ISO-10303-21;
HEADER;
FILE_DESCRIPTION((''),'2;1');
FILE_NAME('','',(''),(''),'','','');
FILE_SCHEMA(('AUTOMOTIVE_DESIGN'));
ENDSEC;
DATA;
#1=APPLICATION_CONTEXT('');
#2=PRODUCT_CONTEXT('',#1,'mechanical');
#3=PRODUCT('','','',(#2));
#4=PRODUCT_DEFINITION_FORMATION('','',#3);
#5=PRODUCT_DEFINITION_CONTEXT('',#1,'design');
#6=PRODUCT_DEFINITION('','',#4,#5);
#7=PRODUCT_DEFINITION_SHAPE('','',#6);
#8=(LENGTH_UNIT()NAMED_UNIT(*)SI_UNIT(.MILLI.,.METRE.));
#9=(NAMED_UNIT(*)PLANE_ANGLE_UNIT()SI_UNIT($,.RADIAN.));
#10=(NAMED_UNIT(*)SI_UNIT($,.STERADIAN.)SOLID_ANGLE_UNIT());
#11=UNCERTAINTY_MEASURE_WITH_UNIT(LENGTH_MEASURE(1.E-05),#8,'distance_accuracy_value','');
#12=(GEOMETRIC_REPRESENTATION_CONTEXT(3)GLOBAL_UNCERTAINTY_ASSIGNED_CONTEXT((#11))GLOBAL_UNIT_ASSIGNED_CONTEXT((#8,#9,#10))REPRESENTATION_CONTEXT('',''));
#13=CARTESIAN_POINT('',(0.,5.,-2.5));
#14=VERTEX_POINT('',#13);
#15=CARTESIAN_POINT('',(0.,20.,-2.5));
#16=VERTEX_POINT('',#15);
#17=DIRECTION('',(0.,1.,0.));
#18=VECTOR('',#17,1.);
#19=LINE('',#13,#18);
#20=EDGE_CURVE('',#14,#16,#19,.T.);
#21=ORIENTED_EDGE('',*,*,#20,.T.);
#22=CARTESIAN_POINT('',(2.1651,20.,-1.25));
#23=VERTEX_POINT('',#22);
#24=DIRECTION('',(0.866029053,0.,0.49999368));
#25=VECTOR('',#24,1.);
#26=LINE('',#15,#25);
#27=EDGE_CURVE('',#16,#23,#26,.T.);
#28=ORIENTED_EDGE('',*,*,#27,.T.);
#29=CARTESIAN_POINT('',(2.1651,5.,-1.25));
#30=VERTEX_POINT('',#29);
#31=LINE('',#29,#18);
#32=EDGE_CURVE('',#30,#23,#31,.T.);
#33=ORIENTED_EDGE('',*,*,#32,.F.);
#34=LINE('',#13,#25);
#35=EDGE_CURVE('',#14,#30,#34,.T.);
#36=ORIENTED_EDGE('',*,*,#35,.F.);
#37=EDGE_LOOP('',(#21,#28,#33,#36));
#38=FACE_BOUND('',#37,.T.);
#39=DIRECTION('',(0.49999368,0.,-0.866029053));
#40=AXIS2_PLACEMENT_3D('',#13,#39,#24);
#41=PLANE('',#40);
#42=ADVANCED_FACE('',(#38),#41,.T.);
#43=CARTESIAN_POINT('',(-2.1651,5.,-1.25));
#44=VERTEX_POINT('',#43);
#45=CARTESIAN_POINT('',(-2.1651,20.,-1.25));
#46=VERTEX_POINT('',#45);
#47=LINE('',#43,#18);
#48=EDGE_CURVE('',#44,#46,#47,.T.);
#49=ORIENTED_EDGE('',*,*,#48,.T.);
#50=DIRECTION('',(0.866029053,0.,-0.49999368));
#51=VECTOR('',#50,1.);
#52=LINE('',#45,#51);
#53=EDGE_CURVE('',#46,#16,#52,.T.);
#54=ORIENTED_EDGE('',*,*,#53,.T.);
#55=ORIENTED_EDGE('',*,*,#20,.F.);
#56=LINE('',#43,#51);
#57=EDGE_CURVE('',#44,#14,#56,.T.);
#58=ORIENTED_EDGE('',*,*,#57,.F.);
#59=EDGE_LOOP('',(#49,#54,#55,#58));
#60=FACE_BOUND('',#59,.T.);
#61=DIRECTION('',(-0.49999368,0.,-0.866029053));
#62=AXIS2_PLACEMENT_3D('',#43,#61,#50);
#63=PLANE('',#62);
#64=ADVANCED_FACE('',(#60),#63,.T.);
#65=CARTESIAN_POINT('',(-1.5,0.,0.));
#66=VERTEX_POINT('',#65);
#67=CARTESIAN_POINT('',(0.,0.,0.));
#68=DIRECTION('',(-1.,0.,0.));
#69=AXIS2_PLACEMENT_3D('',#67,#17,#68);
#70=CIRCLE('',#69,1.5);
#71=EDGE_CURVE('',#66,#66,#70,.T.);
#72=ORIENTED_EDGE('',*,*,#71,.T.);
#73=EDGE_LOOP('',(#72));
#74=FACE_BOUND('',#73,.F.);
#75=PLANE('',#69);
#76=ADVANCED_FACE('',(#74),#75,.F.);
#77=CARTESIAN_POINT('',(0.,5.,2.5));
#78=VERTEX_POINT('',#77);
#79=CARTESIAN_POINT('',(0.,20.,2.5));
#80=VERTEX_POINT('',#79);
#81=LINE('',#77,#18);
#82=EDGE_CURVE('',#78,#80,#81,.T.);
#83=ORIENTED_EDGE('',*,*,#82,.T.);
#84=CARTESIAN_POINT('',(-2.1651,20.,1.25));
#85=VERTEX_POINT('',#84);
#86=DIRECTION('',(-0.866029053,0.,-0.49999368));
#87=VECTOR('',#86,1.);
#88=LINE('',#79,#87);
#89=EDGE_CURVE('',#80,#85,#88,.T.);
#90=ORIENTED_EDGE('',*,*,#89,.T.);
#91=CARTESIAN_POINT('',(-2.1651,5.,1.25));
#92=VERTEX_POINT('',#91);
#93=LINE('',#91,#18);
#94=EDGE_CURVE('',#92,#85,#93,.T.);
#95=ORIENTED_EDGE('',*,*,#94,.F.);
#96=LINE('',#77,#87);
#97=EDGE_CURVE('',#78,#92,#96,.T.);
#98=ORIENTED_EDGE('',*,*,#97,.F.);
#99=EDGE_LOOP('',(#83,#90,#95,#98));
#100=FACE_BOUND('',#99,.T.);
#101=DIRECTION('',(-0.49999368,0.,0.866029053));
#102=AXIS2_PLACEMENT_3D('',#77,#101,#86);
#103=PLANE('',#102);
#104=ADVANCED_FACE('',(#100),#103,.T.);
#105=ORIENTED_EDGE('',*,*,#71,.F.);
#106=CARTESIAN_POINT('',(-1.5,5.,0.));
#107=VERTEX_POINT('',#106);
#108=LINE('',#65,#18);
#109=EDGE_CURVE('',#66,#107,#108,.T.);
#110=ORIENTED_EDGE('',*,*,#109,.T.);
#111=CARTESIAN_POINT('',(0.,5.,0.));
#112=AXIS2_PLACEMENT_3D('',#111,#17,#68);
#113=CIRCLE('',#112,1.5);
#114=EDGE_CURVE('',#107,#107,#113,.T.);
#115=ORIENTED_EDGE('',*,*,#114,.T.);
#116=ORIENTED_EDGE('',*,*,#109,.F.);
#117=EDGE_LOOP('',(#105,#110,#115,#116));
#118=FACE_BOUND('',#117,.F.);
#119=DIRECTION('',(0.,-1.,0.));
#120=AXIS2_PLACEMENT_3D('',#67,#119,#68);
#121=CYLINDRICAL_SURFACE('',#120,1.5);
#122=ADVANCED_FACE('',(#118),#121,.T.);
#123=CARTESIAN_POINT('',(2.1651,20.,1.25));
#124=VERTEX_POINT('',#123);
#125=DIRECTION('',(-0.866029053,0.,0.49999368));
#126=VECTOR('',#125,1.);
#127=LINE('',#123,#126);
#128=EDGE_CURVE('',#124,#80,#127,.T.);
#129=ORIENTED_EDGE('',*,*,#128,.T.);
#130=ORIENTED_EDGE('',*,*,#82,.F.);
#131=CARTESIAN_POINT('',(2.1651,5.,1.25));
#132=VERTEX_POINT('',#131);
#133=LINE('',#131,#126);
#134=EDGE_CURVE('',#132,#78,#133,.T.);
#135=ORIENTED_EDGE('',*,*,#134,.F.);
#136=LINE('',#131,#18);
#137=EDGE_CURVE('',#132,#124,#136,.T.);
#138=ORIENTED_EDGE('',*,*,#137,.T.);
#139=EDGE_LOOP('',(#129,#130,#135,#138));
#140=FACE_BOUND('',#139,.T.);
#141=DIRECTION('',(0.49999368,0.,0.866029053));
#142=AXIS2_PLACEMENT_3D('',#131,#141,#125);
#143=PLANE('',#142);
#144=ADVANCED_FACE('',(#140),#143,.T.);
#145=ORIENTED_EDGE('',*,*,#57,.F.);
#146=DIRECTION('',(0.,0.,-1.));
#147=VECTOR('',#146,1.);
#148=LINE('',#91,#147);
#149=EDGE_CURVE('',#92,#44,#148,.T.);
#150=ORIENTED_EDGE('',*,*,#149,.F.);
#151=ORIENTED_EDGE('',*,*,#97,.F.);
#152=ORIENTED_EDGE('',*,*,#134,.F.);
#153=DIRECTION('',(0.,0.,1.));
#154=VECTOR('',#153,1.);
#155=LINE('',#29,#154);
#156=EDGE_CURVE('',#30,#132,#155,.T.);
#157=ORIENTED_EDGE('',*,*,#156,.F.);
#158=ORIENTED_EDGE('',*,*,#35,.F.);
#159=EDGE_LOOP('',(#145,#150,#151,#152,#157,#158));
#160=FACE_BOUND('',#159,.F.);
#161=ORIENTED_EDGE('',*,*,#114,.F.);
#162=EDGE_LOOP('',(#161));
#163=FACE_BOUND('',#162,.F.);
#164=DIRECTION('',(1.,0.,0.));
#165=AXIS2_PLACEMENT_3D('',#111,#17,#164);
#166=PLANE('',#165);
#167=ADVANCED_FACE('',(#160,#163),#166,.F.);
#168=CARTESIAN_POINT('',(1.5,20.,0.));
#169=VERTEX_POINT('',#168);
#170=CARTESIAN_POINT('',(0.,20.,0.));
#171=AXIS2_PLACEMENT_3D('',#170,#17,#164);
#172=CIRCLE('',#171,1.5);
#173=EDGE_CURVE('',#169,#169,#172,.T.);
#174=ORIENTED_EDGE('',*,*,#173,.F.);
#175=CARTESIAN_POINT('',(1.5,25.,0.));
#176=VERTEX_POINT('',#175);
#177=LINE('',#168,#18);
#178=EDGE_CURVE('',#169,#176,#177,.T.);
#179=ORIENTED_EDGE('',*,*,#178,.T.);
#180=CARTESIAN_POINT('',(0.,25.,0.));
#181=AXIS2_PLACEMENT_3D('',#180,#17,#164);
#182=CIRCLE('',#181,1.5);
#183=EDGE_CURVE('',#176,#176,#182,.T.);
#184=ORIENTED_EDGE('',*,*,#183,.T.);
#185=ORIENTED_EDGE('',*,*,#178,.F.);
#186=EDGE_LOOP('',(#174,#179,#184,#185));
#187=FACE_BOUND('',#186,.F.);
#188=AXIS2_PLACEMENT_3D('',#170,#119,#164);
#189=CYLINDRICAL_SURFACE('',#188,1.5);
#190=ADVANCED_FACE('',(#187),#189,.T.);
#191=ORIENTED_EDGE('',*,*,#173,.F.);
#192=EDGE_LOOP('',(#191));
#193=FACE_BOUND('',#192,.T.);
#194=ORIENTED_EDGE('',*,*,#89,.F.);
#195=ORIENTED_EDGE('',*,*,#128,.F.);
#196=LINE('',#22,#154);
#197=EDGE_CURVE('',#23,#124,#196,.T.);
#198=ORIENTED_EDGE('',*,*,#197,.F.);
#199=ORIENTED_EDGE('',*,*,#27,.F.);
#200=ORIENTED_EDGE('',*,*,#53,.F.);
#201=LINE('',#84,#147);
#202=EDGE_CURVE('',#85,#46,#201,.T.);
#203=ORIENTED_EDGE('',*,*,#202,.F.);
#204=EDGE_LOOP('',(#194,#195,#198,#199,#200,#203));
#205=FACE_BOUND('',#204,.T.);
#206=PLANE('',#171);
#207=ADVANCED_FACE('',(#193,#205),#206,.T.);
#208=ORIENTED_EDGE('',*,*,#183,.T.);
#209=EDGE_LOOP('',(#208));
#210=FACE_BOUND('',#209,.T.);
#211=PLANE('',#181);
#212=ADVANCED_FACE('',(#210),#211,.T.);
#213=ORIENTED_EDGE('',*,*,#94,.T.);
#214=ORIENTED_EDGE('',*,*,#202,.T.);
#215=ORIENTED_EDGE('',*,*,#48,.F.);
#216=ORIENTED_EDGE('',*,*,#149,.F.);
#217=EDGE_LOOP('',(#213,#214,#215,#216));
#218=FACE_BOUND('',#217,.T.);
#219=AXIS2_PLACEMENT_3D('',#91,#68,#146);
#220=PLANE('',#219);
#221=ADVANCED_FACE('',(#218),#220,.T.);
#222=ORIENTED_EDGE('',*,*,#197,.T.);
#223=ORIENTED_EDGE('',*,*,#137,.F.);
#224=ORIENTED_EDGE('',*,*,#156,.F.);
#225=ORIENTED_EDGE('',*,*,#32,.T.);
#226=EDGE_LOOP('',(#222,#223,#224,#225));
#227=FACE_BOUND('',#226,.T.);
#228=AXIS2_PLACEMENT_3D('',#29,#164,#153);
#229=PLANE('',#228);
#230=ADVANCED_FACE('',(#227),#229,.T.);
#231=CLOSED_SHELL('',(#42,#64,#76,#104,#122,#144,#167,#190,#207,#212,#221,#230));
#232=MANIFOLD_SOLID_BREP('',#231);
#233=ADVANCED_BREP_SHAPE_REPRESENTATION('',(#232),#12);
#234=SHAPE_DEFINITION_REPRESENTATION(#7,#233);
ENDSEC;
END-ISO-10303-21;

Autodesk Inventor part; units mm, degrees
ref_plane "YZ Plane" through (0, 0, 0) normal (1, 0, 0) x (0, 1, 0)
ref_plane "XZ Plane" through (0, 0, 0) normal (0, 1, 0) x (-1, 0, 0)
ref_plane "XY Plane" through (0, 0, 0) normal (0, 0, 1) x (1, 0, 0)
sketch "Sketch1" plane through (0, 0, 0) normal (0, 1, 0) x (-1, 0, 0)
  circle A0 centre (0, 0) radius 1.5
  dimension "d0" = 3
extrude "Extrusion1" add sketch "Sketch1" along normal blind 5
sketch "Sketch2" plane through (0, 5, 0) normal (0, 1, 0) x (1, 0, 0)
  circle A0 centre (0, 0) radius 1.5 projected
  circle A1 centre (0, 0) radius 2.5
  line L0 (0, 2.5) -> (2.1651, 1.25)
  line L1 (2.1651, 1.25) -> (2.1651, -1.25)
  line L2 (2.1651, -1.25) -> (0, -2.5)
  line L3 (0, -2.5) -> (-2.1651, -1.25)
  line L4 (-2.1651, -1.25) -> (-2.1651, 1.25)
  line L5 (-2.1651, 1.25) -> (0, 2.5)
  dimension "d5" = 5
extrude "Extrusion2" add sketch "Sketch2" along normal blind 15 contours A0 | L1 L2 L3 L4 L5 L0
sketch "Sketch3" plane through (0, 20, 0) normal (0, 1, 0) x (1, 0, 0)
  circle A0 centre (0, 0) radius 1.5
  dimension "d8" = 3
extrude "Extrusion3" add sketch "Sketch3" along normal blind 5
thread "Thread1" size "M3x0.5" class "6g" standard "ANSI Metric M Profile" full length
thread "Thread2" size "M3x0.5" class "6g" standard "ANSI Metric M Profile" full length
properties part number "Heatbed_Standoff" material "Stainless Steel"
